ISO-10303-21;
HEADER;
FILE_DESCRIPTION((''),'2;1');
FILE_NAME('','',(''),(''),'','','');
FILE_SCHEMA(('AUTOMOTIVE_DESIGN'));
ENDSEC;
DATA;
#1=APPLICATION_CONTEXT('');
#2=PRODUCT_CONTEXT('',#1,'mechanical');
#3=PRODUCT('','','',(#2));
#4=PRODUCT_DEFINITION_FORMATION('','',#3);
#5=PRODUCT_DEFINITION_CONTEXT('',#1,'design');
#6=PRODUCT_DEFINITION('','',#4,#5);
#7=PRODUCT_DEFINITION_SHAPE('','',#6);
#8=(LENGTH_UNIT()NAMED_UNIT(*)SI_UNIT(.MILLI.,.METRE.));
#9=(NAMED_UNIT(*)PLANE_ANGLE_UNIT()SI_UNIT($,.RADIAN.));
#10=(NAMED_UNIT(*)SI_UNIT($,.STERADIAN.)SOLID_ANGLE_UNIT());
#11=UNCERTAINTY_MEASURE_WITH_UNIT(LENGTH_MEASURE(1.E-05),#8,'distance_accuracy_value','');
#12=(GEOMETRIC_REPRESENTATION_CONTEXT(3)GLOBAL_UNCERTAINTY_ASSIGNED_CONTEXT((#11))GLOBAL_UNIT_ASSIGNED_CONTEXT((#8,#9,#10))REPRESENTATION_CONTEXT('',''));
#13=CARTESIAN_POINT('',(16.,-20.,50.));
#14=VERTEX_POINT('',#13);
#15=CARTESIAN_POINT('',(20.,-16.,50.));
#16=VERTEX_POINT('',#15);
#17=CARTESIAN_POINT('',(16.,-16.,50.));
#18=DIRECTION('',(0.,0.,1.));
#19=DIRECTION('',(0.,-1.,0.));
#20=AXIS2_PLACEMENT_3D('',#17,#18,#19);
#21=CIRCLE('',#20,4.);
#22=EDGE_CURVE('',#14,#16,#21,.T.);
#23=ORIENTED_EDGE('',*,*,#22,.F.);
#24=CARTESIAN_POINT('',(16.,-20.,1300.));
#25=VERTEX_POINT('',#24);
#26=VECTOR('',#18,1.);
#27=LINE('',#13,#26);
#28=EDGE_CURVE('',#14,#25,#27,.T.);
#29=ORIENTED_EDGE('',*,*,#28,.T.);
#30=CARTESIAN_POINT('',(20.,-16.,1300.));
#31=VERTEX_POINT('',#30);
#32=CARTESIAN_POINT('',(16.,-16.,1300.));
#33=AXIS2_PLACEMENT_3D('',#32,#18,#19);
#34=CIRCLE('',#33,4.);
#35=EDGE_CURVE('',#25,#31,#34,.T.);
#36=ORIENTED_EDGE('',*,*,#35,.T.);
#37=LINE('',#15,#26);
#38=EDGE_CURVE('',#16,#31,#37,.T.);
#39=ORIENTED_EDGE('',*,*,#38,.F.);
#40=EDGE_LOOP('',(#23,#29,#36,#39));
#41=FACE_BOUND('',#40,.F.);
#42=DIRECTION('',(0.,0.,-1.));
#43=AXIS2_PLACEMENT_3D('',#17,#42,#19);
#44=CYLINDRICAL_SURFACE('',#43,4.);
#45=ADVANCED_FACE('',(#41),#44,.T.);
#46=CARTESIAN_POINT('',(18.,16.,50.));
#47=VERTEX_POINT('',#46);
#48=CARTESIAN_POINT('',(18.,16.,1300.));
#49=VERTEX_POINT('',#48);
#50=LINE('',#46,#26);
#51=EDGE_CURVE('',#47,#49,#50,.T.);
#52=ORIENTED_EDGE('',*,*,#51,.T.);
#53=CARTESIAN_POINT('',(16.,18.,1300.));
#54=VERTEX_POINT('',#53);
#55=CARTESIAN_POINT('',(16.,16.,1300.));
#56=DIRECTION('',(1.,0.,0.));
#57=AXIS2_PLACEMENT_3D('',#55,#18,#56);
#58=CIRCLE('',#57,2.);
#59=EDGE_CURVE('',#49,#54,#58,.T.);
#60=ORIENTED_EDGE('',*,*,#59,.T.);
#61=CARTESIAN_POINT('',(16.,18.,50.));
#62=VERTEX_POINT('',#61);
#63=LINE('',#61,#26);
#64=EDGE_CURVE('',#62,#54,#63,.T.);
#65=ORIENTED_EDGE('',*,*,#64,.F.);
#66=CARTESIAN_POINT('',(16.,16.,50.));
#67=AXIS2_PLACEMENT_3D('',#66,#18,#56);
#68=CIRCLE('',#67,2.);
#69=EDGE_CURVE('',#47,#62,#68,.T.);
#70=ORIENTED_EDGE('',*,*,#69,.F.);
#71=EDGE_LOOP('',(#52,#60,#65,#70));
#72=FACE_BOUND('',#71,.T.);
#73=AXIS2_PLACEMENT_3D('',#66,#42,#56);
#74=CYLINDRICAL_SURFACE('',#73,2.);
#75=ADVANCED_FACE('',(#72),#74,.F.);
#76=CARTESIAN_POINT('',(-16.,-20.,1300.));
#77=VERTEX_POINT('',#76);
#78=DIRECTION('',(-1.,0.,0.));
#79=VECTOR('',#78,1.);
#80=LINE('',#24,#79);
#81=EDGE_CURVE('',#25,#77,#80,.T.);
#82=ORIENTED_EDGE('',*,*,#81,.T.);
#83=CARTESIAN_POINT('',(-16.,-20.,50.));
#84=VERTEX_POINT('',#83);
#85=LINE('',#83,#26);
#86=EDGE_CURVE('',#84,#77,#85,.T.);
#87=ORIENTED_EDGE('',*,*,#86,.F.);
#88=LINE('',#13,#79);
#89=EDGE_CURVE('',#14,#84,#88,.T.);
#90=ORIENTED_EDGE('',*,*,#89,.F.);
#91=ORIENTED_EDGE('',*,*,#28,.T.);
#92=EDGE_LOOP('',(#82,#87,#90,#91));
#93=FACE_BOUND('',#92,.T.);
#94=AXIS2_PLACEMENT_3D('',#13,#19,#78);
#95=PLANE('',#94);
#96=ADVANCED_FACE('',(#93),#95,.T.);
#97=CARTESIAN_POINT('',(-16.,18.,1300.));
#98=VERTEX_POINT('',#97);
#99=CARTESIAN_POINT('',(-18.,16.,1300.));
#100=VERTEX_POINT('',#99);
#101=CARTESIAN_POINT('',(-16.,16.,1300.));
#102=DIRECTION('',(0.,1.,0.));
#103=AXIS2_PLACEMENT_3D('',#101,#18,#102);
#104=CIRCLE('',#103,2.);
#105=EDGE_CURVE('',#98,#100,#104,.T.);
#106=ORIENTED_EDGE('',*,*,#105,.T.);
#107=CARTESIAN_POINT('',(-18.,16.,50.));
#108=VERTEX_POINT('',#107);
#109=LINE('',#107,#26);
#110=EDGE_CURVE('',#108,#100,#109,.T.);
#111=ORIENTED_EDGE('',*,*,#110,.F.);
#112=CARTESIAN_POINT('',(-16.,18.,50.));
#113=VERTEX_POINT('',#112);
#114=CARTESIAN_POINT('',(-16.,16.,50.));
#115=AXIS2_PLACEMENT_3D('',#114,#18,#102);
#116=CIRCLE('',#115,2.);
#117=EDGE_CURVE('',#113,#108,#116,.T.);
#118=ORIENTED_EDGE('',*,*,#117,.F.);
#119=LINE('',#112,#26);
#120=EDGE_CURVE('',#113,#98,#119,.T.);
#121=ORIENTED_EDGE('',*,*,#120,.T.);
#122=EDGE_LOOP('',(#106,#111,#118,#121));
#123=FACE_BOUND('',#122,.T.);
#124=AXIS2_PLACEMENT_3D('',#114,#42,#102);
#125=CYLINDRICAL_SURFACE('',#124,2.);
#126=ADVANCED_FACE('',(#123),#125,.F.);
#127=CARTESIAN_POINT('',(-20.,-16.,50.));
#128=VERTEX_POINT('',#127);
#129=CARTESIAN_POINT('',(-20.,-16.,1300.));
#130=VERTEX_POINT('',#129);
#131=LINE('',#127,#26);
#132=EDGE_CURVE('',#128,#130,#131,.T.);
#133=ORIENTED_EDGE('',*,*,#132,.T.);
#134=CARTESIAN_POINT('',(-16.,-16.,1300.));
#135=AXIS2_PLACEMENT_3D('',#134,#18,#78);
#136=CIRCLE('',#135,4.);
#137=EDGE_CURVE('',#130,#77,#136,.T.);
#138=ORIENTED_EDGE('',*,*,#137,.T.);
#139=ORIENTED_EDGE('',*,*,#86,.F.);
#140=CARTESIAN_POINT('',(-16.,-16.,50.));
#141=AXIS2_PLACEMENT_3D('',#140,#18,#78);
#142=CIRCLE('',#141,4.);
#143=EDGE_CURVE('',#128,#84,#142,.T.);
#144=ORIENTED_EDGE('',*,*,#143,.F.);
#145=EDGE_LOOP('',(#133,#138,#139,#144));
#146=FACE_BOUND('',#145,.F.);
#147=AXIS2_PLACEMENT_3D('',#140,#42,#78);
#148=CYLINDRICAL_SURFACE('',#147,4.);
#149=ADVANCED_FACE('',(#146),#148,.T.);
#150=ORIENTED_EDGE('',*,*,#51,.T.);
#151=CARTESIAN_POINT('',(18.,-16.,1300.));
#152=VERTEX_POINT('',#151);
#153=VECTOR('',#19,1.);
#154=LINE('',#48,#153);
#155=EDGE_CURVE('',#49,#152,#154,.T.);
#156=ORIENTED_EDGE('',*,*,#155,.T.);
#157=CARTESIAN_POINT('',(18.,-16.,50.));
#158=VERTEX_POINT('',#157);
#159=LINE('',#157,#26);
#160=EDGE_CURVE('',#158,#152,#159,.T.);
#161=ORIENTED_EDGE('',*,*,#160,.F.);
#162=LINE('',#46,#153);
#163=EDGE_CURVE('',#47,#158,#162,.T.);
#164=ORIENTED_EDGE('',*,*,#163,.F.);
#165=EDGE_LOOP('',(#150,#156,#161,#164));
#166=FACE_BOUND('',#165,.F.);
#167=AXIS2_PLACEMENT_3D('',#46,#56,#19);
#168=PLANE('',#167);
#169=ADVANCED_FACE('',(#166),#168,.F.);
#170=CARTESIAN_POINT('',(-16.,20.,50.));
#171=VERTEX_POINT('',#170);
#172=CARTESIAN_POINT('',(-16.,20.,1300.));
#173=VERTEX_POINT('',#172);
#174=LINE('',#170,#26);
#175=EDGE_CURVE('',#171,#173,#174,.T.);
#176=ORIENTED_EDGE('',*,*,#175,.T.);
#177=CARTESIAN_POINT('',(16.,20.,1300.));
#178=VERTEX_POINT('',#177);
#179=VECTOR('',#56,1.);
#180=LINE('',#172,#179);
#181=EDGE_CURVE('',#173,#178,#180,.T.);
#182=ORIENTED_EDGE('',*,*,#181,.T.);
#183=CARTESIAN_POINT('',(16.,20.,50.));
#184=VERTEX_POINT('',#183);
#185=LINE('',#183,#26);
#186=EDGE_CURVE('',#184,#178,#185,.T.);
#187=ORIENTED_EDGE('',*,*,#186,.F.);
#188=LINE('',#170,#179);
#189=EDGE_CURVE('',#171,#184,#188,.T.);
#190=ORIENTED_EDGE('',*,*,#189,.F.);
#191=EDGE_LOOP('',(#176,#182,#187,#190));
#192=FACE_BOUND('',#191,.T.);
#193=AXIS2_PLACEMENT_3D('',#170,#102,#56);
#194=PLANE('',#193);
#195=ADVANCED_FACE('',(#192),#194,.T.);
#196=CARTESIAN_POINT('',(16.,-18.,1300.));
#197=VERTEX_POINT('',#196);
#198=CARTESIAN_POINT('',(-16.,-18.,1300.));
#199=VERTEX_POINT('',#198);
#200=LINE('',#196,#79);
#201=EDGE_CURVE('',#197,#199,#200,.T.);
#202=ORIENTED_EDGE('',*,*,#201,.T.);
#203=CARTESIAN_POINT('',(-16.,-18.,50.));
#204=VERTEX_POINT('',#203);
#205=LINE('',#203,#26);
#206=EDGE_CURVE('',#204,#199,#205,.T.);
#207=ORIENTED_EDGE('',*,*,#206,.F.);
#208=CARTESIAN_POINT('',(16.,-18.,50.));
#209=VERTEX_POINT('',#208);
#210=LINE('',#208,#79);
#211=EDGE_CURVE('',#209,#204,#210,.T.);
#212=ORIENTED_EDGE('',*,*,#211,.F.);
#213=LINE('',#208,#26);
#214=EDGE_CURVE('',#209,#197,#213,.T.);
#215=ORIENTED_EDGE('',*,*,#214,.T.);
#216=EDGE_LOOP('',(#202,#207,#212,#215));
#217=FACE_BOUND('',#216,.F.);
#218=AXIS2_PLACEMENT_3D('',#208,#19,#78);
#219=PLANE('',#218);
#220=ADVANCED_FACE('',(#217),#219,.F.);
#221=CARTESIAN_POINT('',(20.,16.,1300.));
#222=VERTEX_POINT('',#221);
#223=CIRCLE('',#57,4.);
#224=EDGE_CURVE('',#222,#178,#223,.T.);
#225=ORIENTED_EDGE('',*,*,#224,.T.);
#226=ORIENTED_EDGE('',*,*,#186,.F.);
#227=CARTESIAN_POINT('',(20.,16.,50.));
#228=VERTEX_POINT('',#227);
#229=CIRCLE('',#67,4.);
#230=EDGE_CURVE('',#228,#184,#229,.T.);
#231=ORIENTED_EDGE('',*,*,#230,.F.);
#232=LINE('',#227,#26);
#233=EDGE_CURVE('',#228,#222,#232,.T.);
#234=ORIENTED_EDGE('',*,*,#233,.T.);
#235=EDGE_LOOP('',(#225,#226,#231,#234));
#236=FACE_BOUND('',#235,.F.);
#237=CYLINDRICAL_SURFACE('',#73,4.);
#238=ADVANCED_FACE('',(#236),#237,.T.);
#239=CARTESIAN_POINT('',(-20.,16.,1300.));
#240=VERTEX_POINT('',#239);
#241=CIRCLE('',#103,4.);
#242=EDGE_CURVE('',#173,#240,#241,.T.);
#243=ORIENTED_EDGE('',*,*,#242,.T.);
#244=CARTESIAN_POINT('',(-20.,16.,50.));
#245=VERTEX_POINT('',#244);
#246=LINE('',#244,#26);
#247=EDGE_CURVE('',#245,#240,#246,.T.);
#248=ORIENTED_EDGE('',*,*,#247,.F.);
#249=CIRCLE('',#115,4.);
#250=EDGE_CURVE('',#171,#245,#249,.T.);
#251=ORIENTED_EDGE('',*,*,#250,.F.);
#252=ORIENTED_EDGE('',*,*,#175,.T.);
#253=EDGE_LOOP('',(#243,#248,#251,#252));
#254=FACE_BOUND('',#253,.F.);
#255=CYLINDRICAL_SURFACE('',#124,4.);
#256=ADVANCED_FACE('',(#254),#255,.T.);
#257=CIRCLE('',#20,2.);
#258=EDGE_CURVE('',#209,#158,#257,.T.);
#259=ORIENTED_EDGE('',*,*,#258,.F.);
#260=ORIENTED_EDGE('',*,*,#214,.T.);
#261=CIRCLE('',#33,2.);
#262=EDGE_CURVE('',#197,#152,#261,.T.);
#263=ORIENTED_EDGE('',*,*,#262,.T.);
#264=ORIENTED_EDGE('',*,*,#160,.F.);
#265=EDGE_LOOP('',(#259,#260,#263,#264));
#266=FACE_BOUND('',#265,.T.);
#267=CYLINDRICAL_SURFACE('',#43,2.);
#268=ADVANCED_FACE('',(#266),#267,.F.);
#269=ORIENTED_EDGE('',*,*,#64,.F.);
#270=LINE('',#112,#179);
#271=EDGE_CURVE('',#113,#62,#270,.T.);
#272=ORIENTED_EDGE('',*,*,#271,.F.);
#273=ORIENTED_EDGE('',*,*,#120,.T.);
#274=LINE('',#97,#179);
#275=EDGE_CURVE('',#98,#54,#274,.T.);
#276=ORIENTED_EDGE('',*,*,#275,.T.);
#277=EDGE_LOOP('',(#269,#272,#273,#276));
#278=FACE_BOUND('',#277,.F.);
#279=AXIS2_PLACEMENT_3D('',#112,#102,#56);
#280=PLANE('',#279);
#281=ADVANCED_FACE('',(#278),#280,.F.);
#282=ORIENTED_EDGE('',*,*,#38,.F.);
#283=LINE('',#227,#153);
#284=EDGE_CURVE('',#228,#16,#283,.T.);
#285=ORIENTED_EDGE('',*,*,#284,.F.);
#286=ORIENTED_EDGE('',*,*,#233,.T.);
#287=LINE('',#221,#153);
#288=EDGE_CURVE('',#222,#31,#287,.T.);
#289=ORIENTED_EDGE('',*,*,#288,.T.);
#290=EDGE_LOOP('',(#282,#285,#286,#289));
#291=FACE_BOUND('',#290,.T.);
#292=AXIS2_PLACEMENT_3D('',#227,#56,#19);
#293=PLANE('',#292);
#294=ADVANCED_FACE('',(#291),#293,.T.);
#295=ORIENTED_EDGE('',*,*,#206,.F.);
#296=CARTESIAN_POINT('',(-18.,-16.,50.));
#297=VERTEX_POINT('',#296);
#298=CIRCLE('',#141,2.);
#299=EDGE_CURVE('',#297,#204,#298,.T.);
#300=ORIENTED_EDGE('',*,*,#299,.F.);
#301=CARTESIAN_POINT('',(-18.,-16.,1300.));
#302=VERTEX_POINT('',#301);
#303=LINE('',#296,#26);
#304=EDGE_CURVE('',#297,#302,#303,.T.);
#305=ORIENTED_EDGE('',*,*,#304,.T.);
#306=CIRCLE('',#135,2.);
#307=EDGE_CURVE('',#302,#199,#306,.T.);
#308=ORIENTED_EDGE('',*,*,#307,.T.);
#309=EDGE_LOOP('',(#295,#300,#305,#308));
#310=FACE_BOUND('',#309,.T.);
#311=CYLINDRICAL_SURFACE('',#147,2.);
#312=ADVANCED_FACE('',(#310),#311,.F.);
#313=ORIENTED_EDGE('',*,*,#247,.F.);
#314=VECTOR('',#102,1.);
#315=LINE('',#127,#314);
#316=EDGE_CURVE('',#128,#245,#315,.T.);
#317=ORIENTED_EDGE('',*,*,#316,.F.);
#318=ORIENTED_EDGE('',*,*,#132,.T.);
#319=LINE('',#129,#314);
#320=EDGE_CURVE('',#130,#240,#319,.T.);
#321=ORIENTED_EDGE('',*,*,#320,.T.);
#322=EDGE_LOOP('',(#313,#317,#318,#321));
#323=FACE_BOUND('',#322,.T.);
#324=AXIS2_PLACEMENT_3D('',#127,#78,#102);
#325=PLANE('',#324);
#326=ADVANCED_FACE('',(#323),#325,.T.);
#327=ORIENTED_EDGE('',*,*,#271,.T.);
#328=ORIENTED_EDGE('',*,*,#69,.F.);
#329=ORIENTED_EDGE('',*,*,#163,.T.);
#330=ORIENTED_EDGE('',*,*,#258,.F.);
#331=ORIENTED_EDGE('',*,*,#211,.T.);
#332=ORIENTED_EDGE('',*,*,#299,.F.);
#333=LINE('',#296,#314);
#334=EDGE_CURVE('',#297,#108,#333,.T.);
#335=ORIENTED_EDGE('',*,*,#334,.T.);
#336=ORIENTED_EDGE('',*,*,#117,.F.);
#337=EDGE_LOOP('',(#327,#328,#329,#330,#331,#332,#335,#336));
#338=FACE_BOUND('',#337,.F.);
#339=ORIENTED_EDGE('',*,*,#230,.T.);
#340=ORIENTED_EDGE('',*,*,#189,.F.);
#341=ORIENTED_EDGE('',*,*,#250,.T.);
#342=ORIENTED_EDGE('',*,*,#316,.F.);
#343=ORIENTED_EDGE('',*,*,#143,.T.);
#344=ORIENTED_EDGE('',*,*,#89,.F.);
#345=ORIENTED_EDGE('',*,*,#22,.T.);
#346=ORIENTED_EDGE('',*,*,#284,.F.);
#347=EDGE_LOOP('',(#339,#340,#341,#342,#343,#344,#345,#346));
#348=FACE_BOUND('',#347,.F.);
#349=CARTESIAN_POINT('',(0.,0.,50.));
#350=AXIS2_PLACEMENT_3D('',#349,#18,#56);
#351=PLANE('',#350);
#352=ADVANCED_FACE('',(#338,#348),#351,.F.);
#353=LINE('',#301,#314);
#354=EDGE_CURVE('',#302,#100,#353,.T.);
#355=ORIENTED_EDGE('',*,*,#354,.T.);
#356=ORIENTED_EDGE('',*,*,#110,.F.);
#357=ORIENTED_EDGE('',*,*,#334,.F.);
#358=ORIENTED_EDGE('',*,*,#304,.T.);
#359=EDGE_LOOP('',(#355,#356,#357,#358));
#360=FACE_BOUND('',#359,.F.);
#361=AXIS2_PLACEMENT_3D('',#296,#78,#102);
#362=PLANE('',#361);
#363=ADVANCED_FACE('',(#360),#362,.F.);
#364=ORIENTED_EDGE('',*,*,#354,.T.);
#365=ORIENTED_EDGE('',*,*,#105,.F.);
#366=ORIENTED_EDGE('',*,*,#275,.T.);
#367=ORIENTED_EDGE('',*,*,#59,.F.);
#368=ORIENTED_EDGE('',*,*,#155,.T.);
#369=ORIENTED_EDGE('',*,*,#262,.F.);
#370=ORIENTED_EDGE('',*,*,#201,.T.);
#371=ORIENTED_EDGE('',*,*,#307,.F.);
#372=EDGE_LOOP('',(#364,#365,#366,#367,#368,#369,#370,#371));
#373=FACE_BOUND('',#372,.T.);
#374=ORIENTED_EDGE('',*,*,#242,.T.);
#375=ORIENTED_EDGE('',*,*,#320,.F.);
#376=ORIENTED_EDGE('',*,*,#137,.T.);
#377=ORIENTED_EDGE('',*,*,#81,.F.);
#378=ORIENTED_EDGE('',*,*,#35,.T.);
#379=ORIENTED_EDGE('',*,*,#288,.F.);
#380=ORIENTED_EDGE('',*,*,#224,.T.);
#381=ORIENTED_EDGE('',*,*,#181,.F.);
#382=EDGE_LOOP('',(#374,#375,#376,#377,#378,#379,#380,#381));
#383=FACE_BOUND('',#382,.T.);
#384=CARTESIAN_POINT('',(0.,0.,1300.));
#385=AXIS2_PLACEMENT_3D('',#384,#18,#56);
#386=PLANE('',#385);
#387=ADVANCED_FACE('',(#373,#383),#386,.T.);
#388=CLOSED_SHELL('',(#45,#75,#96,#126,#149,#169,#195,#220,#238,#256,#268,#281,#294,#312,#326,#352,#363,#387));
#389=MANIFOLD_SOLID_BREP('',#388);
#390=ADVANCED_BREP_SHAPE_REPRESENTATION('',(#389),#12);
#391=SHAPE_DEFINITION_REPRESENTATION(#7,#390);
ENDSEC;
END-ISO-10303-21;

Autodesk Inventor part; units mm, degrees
ref_plane "YZ Plane" through (0, 0, 0) normal (1, 0, 0) x (0, 1, 0)
ref_plane "Start Plane" through (0, 0, 50) normal (0, 0, 1) x (1, 0, 0)
ref_plane "End Plane" through (0, 0, 1300) normal (0, 0, 1) x (1, 0, 0)
sketch "Sketch" plane through (0, 0, 0) normal (0, 0, 1) x (1, 0, 0)
  line L0 (-20, -16) -> (-20, 16)
  line L1 (-16, 20) -> (16, 20)
  line L2 (20, 16) -> (20, -16)
  line L3 (16, -20) -> (-16, -20)
  arc A0 (-20, -16) -> (-16, -20) centre (-16, -16) ccw
  arc A1 (20, 16) -> (16, 20) centre (16, 16) ccw
  arc A2 (-16, 20) -> (-20, 16) centre (-16, 16) ccw
  arc A3 (16, -20) -> (20, -16) centre (16, -16) ccw
  arc A4 (-16, 18) -> (-18, 16) centre (-16, 16) ccw
  line L4 (-16, 18) -> (16, 18)
  arc A5 (18, 16) -> (16, 18) centre (16, 16) ccw
  line L5 (18, 16) -> (18, -16)
  arc A6 (16, -18) -> (18, -16) centre (16, -16) ccw
  line L6 (16, -18) -> (-16, -18)
  arc A7 (-18, -16) -> (-16, -18) centre (-16, -16) ccw
  line L7 (-18, -16) -> (-18, 16)
  line L8 (0, 29.1598) -> (0, -29.1598) construction
  line L9 (-29.1598, 0) -> (29.1598, 0) construction
  dimension "d7" = 4
  dimension "d9" = 40
  dimension "d11" = 40
  dimension "d12" = 2
  dimension "d15" = 20
  dimension "d16" = 20
extrude "Body" add sketch "Sketch" along normal up to surface (1250 mm away) from surface at 50
sketch "Sketch3" plane through (0, 0, 0) normal (0, 0, 1) x (1, 0, 0)
  line L0 (0, 0) -> (10, 0)
ref_plane "Work Plane3" through (0, 0, 0) normal (0, -1, 0) x (1, 0, 0)
sketch "Sketch4" plane through (0, 0, 0) normal (0, -1, 0) x (1, 0, 0)
  line L0 (-2, 50) -> (12, 50) projected
  line L1 (-2, 1300) -> (12, 1300) projected
  dimension "d18" = 1250
equation "\"d7\" = G_IR"
equation "\"d9\" = G_W"
equation "\"d11\" = G_H"
equation "\"d12\" = G_T"
equation "\"d15\" = 0.5 * d9"
equation "\"d16\" = 0.5 * d11"
equation "\"d3\" = G_L"
equation "\"G_W\" = 40"
equation "\"G_H\" = 40"
equation "\"G_T\" = 2"
equation "\"G_IR\" = 4"
equation "\"G_L\" = d18"
properties part number "ISO 10799-2 - 40x40x2 - 1250" material "Steel, Mild"
